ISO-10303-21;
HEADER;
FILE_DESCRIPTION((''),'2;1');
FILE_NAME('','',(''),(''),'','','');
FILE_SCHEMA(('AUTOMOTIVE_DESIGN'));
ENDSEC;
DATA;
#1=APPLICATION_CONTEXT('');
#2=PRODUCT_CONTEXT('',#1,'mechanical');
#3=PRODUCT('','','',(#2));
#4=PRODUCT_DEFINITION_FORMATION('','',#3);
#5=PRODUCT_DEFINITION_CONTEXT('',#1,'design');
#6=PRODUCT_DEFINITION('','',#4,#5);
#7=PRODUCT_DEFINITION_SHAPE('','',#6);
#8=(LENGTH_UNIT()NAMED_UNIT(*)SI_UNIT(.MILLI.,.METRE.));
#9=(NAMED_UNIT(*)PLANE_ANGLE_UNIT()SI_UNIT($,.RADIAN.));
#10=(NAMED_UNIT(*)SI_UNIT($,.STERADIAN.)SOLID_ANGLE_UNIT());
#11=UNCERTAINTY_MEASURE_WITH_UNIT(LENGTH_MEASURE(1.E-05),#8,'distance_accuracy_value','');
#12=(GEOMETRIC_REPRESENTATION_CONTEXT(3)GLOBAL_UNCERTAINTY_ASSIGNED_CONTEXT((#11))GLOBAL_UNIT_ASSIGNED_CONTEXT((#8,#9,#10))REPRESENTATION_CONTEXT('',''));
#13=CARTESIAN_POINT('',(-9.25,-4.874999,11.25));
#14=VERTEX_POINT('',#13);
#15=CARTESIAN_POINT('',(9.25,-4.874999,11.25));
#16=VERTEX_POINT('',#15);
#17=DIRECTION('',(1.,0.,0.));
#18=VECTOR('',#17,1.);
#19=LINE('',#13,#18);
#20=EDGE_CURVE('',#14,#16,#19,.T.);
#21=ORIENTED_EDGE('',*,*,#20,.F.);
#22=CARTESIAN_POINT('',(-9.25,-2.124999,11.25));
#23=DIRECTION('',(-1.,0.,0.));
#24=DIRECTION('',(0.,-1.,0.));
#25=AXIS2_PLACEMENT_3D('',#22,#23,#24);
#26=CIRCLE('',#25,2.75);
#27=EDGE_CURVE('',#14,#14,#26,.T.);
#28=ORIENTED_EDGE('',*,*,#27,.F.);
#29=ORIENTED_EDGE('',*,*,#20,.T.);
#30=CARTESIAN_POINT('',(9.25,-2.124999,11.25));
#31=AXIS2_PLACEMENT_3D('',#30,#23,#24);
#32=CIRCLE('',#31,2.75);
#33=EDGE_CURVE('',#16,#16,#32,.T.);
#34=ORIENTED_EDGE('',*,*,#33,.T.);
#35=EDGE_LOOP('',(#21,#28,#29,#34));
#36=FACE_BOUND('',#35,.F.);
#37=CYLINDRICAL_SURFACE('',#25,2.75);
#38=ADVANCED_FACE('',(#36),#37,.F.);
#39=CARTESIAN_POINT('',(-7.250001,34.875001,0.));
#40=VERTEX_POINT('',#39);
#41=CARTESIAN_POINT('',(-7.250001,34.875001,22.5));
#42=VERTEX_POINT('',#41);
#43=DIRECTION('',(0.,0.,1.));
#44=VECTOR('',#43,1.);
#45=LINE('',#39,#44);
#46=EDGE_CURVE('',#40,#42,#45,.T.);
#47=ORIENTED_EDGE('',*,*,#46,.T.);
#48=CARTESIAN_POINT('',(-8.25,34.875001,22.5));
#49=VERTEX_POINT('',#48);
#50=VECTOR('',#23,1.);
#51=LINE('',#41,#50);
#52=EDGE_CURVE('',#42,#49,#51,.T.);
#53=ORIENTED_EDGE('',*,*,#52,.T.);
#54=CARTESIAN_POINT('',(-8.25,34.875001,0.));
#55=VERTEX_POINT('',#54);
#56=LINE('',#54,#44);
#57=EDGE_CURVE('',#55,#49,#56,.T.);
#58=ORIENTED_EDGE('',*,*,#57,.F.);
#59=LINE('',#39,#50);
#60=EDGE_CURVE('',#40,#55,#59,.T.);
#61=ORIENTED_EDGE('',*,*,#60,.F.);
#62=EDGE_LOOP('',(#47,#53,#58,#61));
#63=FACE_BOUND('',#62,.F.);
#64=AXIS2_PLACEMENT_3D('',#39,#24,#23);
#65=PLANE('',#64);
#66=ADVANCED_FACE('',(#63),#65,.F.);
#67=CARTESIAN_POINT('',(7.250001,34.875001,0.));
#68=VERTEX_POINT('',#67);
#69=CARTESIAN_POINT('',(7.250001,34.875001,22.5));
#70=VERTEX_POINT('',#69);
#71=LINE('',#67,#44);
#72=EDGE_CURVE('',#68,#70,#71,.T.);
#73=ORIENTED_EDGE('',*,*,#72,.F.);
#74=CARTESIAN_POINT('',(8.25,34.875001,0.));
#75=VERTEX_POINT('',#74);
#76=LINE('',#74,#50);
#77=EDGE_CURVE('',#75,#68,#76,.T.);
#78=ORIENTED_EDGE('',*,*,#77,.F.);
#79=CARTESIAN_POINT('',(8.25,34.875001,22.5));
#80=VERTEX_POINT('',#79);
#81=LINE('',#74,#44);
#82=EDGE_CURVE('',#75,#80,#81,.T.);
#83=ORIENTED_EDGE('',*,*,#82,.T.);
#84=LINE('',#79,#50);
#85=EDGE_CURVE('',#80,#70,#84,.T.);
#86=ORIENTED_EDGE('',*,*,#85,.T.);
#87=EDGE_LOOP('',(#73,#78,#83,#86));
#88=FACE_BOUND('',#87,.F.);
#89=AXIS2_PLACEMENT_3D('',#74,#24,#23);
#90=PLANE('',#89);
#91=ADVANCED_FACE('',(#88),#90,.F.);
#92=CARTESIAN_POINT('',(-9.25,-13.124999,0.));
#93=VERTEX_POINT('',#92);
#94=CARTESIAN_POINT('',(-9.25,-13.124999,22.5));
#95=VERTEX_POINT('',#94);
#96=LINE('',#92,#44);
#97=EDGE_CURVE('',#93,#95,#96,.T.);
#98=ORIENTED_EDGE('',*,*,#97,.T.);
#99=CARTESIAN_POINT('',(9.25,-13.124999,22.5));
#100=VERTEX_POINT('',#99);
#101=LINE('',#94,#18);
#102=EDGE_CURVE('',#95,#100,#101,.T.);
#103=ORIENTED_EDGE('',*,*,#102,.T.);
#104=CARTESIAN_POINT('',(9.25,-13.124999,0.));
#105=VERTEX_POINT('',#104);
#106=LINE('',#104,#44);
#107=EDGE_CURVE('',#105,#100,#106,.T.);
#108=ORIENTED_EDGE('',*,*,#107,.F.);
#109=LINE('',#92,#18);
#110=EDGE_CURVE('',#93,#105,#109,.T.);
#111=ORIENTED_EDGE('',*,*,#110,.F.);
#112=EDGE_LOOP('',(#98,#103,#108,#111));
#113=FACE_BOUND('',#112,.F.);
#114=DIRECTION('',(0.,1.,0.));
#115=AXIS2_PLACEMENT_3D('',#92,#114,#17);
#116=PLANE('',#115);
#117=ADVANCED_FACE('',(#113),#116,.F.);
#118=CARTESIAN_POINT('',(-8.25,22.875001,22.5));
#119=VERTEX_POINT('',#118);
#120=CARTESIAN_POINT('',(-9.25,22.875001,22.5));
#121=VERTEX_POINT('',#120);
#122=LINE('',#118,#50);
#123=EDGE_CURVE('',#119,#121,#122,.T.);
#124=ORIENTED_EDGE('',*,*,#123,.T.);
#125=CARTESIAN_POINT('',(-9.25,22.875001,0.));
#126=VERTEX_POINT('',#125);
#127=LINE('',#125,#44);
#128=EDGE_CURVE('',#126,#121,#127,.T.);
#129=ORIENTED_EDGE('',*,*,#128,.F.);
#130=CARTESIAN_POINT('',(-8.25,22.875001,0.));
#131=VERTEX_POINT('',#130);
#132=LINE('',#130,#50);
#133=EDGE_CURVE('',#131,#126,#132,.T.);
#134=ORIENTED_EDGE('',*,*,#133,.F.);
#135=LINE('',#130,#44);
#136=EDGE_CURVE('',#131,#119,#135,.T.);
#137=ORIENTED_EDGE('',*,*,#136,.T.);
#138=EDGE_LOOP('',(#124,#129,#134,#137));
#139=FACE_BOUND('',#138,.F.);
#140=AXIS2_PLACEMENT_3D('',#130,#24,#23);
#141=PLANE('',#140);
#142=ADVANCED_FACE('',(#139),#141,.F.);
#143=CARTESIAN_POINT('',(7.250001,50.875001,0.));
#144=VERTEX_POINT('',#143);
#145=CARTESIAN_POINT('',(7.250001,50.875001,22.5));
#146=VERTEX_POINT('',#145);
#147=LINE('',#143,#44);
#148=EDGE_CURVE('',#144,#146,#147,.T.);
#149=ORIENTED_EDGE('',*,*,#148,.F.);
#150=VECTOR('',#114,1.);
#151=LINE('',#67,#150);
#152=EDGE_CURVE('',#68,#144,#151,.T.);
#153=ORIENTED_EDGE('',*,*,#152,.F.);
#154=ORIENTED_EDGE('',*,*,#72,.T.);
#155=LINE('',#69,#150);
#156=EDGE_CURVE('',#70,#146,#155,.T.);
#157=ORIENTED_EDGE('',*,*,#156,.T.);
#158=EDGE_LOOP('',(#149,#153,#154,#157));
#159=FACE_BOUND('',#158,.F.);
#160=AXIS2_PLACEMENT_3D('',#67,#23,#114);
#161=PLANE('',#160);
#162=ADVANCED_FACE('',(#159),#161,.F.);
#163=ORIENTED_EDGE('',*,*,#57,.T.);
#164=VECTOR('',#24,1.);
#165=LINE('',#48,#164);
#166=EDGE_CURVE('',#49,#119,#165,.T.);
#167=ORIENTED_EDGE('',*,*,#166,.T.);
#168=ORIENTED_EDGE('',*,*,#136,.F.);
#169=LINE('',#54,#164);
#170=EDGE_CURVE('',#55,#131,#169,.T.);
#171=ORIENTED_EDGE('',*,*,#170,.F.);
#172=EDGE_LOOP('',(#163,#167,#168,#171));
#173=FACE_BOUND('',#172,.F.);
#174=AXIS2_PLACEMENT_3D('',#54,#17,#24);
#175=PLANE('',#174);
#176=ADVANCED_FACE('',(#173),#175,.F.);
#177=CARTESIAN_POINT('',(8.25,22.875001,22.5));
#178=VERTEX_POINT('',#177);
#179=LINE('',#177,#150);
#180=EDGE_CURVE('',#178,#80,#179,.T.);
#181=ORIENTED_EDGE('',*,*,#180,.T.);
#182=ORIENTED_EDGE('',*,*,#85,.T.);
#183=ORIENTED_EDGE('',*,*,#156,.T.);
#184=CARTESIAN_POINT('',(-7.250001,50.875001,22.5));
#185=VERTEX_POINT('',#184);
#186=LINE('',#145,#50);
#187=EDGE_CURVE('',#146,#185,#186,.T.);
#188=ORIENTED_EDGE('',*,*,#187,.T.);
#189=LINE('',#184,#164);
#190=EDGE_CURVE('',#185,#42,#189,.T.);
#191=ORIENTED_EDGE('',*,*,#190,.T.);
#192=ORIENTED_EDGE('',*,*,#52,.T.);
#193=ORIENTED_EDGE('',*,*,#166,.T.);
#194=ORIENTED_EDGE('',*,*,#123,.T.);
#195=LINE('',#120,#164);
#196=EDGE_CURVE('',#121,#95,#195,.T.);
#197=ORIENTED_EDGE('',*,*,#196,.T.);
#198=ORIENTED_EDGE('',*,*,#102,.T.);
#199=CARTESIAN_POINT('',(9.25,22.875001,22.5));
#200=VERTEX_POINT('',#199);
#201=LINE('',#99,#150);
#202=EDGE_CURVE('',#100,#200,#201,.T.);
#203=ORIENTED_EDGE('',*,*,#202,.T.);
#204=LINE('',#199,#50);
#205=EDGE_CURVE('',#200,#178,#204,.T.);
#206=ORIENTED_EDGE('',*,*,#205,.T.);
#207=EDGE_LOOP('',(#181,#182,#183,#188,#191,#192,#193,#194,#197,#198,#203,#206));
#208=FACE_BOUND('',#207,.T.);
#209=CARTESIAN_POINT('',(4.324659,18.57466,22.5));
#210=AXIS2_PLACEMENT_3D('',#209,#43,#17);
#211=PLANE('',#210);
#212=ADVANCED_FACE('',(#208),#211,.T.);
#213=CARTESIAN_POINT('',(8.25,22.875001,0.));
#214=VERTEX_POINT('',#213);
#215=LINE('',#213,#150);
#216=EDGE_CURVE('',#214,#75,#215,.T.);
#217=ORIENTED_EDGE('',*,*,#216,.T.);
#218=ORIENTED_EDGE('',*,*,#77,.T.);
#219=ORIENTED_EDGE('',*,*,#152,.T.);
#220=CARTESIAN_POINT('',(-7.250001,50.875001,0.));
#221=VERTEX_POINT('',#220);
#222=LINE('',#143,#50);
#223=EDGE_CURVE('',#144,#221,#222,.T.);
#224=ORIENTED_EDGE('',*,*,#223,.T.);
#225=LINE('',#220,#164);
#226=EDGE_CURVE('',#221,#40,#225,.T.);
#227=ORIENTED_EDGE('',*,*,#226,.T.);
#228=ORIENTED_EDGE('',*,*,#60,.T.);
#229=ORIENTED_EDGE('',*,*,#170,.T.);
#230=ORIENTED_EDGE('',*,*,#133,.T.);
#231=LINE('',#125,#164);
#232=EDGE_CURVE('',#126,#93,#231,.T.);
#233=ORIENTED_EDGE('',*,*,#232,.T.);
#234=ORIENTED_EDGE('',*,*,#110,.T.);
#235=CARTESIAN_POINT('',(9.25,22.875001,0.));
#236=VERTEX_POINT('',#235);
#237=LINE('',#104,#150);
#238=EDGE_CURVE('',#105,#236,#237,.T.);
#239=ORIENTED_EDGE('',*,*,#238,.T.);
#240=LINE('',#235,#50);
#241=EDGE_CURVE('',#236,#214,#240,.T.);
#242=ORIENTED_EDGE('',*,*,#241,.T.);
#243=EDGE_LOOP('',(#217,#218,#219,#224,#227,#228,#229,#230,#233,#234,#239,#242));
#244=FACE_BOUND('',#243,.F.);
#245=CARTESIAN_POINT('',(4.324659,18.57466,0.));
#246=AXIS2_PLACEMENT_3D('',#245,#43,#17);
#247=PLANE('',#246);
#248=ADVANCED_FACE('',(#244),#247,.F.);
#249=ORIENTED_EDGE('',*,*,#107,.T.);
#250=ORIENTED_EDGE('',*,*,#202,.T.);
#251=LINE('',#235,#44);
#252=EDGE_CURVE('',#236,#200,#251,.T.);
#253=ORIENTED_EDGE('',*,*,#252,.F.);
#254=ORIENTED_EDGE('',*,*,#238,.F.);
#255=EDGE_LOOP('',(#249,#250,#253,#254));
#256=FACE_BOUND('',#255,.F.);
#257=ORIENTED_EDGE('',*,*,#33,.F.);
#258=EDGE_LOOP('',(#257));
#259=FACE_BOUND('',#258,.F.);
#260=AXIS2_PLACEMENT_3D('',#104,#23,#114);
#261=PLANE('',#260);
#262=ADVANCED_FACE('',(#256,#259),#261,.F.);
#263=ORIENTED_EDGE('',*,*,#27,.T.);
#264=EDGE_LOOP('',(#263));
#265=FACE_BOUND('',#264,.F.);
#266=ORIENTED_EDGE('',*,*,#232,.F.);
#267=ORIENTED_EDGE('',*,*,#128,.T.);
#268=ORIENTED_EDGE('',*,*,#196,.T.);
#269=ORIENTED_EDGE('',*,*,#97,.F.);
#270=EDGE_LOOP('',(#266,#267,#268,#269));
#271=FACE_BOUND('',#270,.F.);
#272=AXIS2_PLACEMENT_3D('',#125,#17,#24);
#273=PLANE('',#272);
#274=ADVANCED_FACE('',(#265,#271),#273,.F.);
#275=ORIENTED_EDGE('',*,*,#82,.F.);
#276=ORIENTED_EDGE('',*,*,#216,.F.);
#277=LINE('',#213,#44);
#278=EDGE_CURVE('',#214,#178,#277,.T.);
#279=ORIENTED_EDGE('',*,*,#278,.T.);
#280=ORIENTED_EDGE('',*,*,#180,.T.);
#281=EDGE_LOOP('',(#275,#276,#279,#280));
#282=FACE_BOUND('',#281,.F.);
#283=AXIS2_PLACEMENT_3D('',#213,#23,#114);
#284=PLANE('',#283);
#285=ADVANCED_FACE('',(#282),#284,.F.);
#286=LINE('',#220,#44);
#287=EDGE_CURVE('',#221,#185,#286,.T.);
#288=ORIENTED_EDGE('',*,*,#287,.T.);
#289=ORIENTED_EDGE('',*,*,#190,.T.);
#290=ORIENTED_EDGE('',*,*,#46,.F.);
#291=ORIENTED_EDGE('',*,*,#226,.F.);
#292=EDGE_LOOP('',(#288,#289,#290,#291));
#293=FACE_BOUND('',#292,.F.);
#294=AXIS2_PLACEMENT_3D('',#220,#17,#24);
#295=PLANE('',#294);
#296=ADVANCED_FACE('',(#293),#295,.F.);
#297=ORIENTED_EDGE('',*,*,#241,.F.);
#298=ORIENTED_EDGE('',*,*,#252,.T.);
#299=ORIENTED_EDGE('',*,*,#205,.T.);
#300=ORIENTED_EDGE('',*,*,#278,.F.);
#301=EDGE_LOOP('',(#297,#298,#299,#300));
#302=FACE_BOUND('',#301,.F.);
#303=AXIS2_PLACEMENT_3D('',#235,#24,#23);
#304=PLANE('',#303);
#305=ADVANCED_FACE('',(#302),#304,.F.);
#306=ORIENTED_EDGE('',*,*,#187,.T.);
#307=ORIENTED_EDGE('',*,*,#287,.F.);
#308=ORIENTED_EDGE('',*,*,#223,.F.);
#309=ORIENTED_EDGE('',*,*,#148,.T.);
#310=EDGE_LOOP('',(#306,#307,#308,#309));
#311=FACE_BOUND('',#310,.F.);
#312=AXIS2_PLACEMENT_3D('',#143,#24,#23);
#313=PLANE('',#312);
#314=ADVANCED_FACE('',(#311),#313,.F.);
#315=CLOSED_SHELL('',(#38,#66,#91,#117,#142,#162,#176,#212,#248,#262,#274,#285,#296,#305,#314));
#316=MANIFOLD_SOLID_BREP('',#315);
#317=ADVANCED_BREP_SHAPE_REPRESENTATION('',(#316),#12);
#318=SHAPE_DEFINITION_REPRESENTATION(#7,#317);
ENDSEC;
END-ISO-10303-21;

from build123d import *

# Parameters (mm, degrees)
F1_DEPTH = 22.5
F3_R     = 2.75
F4_DEPTH = 22.5


with BuildPart() as f1:
    # F0 (on Top) → F1 (new body)
    with BuildSketch(Plane.XY):
        Polygon((0, 50.875000723), (0, -13.124999277), (9.25, -13.124999277), (9.25, 22.875000723), (8.2500004293, 22.875000723), (8.2500004293, 34.875000723), (7.2500008586, 34.875000723), (7.2500008586, 50.875000723), align=None)
        Polygon((-9.25, -13.124999277), (0, -13.124999277), (0, 50.875000723), (-7.2500008586, 50.875000723), (-7.2500008586, 34.875000723), (-8.2500004293, 34.875000723), (-8.2500004293, 22.875000723), (-9.25, 22.875000723), align=None)
    extrude(amount=F1_DEPTH)

    # F3 (on offset) → F4 (cut)
    with BuildSketch(Plane(origin=(-9.25, 0, 0), x_dir=(0, -1, 0), z_dir=(-1, 0, 0))):
        with Locations((2.124999277, 11.25)):
            Circle(F3_R)
    extrude(amount=-F4_DEPTH, mode=Mode.SUBTRACT)


solid = f1.part
